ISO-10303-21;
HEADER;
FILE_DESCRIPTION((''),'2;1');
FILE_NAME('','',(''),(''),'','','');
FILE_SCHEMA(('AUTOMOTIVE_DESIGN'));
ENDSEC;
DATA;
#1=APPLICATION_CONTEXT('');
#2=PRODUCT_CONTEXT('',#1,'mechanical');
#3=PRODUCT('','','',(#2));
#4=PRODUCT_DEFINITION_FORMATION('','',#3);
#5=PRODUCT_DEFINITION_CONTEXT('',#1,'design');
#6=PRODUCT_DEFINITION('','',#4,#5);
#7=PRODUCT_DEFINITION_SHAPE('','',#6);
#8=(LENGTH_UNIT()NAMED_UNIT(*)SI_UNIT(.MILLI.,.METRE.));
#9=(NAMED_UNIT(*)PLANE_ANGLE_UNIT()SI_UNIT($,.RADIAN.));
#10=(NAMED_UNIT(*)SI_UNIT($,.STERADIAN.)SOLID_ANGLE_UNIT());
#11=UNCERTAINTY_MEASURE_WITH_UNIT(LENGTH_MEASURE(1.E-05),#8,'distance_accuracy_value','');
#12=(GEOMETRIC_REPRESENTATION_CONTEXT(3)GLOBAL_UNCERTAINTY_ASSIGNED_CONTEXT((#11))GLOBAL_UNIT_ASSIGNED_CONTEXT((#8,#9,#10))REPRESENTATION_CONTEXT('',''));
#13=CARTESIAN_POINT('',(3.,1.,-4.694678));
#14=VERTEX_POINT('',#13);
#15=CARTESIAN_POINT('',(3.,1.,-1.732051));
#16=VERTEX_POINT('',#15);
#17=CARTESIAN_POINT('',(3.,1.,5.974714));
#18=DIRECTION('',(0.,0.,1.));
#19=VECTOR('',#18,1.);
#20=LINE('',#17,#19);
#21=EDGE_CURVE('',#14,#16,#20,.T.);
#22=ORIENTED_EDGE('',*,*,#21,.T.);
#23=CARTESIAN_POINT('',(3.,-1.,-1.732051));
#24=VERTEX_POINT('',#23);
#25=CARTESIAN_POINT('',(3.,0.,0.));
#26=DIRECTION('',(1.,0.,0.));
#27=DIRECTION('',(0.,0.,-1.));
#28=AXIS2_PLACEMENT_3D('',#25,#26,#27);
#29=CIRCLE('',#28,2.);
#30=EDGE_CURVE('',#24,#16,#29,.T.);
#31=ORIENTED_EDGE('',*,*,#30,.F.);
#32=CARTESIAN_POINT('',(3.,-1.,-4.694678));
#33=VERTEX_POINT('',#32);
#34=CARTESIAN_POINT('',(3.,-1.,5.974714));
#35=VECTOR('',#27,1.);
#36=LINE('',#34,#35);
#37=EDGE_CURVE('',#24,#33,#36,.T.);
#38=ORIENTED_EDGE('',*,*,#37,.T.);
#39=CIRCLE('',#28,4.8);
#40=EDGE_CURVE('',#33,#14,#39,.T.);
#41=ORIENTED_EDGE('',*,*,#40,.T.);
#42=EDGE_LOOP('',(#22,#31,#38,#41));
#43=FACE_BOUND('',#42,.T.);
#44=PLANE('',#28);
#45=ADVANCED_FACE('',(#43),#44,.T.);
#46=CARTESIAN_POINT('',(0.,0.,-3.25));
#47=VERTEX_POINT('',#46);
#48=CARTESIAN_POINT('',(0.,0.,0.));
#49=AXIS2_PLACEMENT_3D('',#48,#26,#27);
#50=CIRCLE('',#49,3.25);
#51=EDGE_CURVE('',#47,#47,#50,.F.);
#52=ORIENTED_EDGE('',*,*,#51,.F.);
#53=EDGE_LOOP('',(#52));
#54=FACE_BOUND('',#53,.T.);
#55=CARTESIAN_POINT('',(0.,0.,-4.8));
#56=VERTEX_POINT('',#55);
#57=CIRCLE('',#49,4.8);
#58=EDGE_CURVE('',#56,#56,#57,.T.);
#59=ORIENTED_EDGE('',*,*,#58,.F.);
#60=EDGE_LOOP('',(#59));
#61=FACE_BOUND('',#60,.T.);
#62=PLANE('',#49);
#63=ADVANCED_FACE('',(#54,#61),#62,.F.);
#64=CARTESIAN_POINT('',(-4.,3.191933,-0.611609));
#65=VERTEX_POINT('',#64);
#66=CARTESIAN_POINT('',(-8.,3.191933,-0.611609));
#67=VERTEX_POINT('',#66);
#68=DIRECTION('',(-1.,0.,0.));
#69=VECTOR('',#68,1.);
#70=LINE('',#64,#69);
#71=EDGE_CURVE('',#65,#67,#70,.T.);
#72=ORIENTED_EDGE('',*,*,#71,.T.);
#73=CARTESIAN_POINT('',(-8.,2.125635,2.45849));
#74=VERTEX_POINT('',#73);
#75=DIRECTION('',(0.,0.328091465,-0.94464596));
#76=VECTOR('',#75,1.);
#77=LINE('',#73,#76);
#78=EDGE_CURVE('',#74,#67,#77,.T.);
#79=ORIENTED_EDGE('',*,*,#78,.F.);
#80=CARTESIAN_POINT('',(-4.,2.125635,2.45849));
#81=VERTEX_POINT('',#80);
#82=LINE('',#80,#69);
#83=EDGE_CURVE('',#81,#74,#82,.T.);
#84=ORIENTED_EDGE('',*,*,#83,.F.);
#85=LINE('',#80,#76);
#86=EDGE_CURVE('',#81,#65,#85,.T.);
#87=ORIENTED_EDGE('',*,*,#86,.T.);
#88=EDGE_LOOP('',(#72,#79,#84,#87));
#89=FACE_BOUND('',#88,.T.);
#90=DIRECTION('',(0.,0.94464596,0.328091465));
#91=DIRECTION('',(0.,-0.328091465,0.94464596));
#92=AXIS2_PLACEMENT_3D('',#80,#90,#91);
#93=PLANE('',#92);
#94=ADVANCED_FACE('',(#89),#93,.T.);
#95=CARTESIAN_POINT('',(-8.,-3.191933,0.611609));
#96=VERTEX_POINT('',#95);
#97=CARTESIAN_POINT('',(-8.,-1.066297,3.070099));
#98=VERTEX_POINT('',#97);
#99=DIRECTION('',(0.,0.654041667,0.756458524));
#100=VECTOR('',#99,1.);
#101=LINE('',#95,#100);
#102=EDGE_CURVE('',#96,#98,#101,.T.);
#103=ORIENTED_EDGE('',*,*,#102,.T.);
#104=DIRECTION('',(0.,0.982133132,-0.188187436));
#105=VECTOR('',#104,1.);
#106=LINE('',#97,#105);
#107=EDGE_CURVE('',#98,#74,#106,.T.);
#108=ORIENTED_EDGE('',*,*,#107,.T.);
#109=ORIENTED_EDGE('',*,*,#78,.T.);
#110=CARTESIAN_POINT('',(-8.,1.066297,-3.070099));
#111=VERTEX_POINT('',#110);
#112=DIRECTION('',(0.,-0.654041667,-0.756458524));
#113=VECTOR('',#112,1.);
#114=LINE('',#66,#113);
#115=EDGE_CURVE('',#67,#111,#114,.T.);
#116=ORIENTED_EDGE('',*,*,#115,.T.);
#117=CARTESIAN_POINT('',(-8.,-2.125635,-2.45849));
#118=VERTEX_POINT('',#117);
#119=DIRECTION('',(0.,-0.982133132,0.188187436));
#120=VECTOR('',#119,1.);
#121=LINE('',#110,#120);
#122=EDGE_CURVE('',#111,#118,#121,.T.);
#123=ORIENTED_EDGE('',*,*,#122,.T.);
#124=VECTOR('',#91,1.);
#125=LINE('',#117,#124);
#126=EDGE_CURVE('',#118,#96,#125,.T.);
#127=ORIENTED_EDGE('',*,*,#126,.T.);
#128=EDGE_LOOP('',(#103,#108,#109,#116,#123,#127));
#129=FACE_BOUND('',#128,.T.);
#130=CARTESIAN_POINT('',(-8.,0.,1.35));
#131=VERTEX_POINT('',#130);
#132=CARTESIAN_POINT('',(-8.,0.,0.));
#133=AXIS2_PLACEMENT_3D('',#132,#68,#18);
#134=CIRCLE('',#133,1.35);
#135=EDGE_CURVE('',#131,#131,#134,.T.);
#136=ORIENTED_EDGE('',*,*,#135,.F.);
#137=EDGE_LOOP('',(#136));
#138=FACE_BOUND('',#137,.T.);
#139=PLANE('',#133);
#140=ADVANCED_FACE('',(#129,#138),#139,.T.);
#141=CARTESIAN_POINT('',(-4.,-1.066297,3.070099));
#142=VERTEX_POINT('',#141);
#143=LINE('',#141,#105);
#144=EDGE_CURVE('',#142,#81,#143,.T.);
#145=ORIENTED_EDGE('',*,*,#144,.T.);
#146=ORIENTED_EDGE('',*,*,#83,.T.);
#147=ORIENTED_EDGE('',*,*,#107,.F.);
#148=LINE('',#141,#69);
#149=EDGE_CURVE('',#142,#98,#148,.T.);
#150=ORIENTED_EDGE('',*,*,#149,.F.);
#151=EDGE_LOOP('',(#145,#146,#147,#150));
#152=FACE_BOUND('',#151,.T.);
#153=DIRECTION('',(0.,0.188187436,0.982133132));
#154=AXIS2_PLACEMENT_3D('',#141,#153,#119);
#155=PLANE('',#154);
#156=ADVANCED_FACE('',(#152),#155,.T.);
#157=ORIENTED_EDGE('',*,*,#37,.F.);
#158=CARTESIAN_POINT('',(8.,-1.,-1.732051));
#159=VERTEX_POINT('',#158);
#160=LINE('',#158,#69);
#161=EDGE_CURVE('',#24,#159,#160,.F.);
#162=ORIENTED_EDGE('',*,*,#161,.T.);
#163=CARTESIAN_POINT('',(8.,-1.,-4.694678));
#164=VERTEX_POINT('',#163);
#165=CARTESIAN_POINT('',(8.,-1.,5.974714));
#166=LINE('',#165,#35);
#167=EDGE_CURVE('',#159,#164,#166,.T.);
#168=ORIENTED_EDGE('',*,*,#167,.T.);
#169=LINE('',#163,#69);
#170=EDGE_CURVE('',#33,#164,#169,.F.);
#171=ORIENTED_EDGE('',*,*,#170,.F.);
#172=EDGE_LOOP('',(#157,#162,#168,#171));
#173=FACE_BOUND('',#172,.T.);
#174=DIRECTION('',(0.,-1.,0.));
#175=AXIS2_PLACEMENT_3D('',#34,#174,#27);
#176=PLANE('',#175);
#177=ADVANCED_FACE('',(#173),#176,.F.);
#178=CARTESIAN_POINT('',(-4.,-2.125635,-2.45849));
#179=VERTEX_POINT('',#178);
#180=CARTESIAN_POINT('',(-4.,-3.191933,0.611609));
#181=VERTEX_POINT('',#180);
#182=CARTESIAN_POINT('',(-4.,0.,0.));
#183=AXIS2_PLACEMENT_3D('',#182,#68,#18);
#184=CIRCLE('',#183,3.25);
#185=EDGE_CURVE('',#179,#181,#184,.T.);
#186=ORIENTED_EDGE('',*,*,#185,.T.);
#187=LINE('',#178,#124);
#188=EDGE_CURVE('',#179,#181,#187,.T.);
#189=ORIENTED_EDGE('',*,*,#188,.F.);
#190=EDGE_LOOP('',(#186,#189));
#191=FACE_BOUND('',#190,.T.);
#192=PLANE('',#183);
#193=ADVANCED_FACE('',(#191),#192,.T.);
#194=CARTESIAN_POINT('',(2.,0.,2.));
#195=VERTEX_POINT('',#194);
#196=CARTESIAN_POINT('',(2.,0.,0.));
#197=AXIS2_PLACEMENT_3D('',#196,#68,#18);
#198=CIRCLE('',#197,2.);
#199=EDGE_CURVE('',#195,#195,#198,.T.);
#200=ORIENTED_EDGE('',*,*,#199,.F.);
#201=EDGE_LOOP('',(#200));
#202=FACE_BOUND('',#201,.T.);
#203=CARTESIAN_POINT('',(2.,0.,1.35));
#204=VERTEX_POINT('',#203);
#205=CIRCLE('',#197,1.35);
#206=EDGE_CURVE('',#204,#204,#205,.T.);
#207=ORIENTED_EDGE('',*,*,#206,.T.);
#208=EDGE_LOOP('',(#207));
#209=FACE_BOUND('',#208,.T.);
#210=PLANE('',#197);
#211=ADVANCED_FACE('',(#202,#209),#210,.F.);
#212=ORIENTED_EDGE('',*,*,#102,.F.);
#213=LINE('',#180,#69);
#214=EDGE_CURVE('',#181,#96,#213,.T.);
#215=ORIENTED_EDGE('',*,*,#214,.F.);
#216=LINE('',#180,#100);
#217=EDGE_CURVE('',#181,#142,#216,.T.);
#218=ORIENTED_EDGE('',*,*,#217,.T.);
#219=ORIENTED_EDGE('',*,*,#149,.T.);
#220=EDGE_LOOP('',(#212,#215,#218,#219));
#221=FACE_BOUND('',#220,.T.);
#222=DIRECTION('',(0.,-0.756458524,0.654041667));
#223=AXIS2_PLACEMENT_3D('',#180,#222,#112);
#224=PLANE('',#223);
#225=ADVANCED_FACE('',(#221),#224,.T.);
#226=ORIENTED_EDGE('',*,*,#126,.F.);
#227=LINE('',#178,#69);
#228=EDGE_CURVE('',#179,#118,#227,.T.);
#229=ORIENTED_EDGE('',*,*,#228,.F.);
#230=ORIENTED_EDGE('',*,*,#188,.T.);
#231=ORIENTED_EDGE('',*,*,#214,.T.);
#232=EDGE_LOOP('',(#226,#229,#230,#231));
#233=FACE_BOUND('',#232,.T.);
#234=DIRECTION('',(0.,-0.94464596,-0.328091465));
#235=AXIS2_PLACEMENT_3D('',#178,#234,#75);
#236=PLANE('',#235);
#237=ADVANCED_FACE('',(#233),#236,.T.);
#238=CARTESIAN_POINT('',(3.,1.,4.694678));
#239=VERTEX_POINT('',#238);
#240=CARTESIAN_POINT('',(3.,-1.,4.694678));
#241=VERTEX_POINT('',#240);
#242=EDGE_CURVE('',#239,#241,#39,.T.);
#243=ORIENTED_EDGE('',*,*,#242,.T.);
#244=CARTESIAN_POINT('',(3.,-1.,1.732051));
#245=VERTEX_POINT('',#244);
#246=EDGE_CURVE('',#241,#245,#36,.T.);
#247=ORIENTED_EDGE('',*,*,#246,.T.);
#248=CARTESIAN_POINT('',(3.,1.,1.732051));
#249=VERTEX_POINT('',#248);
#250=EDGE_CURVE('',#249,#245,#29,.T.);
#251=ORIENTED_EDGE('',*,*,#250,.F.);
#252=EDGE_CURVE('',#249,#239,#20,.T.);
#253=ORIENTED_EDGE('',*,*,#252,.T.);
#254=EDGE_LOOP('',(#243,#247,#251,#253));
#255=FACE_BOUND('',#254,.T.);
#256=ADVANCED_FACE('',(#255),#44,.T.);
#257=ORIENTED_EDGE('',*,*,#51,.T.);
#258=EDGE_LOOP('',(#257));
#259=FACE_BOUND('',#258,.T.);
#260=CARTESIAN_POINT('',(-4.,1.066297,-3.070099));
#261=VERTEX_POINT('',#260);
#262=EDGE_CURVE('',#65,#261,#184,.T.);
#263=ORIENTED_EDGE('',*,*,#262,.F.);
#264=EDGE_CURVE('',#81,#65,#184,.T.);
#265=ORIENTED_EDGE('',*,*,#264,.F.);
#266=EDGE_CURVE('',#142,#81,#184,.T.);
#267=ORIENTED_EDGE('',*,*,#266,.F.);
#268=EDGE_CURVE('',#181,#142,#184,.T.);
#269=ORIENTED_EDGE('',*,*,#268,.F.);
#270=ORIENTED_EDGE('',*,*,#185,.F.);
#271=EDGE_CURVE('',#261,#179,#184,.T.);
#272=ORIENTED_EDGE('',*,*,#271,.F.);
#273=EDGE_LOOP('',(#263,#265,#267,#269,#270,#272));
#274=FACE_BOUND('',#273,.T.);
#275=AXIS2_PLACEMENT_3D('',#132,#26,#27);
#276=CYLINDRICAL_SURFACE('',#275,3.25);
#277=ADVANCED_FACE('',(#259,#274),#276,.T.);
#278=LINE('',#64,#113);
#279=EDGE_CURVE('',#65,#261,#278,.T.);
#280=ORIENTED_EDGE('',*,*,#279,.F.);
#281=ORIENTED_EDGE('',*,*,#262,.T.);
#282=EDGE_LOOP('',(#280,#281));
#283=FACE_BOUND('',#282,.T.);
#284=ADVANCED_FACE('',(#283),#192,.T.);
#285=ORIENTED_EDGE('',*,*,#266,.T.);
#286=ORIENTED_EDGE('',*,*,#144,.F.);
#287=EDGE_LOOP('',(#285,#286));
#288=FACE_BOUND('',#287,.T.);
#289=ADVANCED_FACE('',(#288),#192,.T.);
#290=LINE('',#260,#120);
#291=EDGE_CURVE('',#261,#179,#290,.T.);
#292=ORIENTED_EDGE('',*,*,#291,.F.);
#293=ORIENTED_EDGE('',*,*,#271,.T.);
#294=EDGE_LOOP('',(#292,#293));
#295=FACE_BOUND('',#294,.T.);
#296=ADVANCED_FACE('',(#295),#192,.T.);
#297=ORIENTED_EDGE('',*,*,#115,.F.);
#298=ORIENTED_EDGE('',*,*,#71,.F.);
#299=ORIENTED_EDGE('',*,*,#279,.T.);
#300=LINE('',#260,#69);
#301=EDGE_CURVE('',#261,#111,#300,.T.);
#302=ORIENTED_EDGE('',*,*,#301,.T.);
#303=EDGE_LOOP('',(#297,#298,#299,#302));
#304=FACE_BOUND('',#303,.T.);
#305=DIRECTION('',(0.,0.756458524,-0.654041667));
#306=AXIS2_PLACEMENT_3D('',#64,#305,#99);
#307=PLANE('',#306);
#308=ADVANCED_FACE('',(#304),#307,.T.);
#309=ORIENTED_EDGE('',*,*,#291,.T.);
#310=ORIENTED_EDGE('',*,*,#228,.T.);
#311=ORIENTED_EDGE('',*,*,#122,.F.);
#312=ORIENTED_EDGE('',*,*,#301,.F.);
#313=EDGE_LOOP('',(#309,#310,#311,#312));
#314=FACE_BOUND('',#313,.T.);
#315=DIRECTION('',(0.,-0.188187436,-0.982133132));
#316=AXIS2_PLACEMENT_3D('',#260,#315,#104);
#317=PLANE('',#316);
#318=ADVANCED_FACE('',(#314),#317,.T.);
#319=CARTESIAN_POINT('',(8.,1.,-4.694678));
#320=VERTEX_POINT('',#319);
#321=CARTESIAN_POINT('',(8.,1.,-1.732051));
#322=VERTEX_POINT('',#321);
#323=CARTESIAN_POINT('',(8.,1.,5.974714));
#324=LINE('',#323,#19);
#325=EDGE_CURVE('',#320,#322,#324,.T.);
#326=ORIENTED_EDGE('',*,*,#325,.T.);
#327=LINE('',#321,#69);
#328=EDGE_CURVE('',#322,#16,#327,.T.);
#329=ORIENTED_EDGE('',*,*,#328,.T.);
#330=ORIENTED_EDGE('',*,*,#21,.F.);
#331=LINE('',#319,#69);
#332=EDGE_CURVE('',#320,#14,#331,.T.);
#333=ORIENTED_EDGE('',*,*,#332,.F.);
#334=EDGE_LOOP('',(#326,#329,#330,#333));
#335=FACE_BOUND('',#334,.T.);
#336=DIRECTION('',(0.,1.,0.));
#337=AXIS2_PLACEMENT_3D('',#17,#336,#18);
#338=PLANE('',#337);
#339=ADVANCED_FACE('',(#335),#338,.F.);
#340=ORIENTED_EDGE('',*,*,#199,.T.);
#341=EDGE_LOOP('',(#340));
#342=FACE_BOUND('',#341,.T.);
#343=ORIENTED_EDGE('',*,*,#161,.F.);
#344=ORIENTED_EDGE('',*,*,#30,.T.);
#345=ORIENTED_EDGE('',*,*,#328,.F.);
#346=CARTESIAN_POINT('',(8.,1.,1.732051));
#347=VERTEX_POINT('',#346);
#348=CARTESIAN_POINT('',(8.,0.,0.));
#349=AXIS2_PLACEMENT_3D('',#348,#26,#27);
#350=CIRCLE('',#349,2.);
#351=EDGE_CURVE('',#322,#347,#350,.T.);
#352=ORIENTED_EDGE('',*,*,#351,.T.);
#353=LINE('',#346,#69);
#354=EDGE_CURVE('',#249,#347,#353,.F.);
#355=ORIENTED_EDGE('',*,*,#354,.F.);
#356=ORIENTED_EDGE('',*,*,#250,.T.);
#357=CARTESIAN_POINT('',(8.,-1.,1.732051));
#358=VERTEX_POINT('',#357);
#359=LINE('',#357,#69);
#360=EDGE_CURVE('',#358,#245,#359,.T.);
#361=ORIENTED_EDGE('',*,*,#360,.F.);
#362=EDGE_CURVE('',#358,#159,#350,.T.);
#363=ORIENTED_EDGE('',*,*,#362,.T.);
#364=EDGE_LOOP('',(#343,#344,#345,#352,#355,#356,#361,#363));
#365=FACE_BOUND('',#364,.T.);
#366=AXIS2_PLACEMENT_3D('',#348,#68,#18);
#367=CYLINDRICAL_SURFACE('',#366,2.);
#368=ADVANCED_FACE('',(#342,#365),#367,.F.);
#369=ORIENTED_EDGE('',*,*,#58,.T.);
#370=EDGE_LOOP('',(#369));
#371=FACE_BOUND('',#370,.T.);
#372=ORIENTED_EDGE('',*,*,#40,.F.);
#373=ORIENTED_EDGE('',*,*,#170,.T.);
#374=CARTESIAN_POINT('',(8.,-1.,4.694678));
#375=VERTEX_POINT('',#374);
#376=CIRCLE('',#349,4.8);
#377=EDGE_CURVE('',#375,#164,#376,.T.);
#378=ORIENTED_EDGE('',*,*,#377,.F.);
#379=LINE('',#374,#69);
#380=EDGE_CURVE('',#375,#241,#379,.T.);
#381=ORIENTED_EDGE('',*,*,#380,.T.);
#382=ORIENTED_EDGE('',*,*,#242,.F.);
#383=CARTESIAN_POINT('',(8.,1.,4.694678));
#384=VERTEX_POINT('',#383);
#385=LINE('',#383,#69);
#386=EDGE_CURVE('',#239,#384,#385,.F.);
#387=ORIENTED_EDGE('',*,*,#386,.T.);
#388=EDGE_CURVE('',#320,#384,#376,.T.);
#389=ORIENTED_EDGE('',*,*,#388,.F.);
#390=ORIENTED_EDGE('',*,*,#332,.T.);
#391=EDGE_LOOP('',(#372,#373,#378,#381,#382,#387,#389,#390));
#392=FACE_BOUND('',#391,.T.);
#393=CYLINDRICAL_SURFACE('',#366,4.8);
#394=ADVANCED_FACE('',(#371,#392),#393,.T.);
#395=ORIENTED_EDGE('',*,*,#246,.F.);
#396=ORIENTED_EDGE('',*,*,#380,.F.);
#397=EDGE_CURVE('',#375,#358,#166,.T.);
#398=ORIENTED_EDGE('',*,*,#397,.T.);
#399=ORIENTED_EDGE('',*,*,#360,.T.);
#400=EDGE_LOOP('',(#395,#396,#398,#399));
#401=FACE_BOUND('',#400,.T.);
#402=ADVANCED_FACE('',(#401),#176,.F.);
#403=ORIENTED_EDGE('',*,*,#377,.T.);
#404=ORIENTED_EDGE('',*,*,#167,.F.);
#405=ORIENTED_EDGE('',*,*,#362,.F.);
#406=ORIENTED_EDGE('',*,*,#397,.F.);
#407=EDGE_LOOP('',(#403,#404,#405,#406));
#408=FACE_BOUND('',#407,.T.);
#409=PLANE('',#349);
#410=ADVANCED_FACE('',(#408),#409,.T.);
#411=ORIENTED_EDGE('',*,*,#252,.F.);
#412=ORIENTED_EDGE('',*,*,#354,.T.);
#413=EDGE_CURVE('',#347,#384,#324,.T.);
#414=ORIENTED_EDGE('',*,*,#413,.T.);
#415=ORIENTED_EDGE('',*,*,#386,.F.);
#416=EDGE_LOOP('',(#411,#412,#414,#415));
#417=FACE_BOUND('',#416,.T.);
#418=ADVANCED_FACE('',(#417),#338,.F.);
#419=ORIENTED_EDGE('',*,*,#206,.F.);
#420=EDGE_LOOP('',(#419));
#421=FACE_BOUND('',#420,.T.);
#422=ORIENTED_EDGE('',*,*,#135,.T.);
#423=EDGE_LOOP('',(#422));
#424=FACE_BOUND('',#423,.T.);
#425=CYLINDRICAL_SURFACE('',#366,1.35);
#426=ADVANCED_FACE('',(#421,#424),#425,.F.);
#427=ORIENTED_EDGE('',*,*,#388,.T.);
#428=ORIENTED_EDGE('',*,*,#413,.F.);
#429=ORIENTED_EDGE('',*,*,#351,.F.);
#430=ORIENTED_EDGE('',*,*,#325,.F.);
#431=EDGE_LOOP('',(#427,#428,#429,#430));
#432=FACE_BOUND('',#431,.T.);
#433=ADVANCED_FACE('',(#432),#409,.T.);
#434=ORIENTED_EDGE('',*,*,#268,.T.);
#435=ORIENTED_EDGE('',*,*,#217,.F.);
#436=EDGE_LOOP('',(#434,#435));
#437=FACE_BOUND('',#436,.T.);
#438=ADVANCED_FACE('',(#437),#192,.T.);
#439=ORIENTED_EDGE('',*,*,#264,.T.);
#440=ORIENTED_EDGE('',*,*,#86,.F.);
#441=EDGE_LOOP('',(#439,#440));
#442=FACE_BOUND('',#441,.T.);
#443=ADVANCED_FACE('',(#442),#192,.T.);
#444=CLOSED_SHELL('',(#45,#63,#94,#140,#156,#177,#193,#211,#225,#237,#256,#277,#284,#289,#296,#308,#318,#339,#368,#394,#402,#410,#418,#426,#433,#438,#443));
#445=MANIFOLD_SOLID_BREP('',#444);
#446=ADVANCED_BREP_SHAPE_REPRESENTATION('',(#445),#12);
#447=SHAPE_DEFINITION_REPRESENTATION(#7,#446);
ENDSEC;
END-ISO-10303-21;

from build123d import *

# Parameters (mm, degrees)
SKETCH_1_R          = 4.8
SKETCH_1_R_2        = 2
EXTRUDE_1_DEPTH     = 8
SKETCH_2_W          = 12
SKETCH_2_H          = 2
CUT_EXTRUDE_1_DEPTH = 5
SKETCH_7_R          = 2
EXTRUDE_4_DEPTH     = 2
SKETCH_8_R          = 3.25
EXTRUDE_5_DEPTH     = 8
SKETCH_9_R          = 1.35
CUT_EXTRUDE_3_DEPTH = 18.380448786
SKETCH_10_OUTSIDE_W = 15.796
SKETCH_10_OUTSIDE_H = 15.796
CUT_EXTRUDE_4_DEPTH = 4


with BuildPart() as part:
    # 草图1 → 凸台-拉伸1 (new body)
    with BuildSketch(Plane(origin=(0, 0, 0), x_dir=(0, 0, -1), z_dir=(1, 0, 0))):
        Circle(SKETCH_1_R)
        Circle(SKETCH_1_R_2, mode=Mode.SUBTRACT)
    extrude(amount=EXTRUDE_1_DEPTH)

    # 草图2 → 切除-拉伸1 (cut)
    with BuildSketch(Plane(origin=(8, 0, 0), x_dir=(0, 0, -1), z_dir=(1, 0, 0))):
        with Locations((0.025285626, 0)):
            Rectangle(SKETCH_2_W, SKETCH_2_H)
    extrude(amount=-CUT_EXTRUDE_1_DEPTH, mode=Mode.SUBTRACT)

    # 草图7 → 凸台-拉伸4 (add)
    with BuildSketch(Plane.ZY):
        Circle(SKETCH_7_R)
    extrude(amount=-EXTRUDE_4_DEPTH)

    # 草图8 → 凸台-拉伸5 (add)
    with BuildSketch(Plane.ZY):
        with Locations(Location((0, 0, 0), (0, 0, 180))):
            Circle(SKETCH_8_R)
    extrude(amount=EXTRUDE_5_DEPTH)

    # 草图9 → 切除-拉伸3 (cut, through all)
    with BuildSketch(Plane.ZY.offset(8)):
        Circle(SKETCH_9_R)
    extrude(amount=-CUT_EXTRUDE_3_DEPTH, mode=Mode.SUBTRACT)

    # 草图10 outside → 切除-拉伸4 (cut)
    with BuildSketch(Plane.ZY.offset(8)):
        Rectangle(SKETCH_10_OUTSIDE_W, SKETCH_10_OUTSIDE_H)
        Polygon((-3.070099371, 1.066297262), (-2.458490203, -2.125635416), (0.611609168, -3.191932679), (3.070099371, -1.066297262), (2.458490203, 2.125635416), (-0.611609168, 3.191932679), align=None, mode=Mode.SUBTRACT)
    extrude(amount=-CUT_EXTRUDE_4_DEPTH, mode=Mode.SUBTRACT)


solid = part.part
